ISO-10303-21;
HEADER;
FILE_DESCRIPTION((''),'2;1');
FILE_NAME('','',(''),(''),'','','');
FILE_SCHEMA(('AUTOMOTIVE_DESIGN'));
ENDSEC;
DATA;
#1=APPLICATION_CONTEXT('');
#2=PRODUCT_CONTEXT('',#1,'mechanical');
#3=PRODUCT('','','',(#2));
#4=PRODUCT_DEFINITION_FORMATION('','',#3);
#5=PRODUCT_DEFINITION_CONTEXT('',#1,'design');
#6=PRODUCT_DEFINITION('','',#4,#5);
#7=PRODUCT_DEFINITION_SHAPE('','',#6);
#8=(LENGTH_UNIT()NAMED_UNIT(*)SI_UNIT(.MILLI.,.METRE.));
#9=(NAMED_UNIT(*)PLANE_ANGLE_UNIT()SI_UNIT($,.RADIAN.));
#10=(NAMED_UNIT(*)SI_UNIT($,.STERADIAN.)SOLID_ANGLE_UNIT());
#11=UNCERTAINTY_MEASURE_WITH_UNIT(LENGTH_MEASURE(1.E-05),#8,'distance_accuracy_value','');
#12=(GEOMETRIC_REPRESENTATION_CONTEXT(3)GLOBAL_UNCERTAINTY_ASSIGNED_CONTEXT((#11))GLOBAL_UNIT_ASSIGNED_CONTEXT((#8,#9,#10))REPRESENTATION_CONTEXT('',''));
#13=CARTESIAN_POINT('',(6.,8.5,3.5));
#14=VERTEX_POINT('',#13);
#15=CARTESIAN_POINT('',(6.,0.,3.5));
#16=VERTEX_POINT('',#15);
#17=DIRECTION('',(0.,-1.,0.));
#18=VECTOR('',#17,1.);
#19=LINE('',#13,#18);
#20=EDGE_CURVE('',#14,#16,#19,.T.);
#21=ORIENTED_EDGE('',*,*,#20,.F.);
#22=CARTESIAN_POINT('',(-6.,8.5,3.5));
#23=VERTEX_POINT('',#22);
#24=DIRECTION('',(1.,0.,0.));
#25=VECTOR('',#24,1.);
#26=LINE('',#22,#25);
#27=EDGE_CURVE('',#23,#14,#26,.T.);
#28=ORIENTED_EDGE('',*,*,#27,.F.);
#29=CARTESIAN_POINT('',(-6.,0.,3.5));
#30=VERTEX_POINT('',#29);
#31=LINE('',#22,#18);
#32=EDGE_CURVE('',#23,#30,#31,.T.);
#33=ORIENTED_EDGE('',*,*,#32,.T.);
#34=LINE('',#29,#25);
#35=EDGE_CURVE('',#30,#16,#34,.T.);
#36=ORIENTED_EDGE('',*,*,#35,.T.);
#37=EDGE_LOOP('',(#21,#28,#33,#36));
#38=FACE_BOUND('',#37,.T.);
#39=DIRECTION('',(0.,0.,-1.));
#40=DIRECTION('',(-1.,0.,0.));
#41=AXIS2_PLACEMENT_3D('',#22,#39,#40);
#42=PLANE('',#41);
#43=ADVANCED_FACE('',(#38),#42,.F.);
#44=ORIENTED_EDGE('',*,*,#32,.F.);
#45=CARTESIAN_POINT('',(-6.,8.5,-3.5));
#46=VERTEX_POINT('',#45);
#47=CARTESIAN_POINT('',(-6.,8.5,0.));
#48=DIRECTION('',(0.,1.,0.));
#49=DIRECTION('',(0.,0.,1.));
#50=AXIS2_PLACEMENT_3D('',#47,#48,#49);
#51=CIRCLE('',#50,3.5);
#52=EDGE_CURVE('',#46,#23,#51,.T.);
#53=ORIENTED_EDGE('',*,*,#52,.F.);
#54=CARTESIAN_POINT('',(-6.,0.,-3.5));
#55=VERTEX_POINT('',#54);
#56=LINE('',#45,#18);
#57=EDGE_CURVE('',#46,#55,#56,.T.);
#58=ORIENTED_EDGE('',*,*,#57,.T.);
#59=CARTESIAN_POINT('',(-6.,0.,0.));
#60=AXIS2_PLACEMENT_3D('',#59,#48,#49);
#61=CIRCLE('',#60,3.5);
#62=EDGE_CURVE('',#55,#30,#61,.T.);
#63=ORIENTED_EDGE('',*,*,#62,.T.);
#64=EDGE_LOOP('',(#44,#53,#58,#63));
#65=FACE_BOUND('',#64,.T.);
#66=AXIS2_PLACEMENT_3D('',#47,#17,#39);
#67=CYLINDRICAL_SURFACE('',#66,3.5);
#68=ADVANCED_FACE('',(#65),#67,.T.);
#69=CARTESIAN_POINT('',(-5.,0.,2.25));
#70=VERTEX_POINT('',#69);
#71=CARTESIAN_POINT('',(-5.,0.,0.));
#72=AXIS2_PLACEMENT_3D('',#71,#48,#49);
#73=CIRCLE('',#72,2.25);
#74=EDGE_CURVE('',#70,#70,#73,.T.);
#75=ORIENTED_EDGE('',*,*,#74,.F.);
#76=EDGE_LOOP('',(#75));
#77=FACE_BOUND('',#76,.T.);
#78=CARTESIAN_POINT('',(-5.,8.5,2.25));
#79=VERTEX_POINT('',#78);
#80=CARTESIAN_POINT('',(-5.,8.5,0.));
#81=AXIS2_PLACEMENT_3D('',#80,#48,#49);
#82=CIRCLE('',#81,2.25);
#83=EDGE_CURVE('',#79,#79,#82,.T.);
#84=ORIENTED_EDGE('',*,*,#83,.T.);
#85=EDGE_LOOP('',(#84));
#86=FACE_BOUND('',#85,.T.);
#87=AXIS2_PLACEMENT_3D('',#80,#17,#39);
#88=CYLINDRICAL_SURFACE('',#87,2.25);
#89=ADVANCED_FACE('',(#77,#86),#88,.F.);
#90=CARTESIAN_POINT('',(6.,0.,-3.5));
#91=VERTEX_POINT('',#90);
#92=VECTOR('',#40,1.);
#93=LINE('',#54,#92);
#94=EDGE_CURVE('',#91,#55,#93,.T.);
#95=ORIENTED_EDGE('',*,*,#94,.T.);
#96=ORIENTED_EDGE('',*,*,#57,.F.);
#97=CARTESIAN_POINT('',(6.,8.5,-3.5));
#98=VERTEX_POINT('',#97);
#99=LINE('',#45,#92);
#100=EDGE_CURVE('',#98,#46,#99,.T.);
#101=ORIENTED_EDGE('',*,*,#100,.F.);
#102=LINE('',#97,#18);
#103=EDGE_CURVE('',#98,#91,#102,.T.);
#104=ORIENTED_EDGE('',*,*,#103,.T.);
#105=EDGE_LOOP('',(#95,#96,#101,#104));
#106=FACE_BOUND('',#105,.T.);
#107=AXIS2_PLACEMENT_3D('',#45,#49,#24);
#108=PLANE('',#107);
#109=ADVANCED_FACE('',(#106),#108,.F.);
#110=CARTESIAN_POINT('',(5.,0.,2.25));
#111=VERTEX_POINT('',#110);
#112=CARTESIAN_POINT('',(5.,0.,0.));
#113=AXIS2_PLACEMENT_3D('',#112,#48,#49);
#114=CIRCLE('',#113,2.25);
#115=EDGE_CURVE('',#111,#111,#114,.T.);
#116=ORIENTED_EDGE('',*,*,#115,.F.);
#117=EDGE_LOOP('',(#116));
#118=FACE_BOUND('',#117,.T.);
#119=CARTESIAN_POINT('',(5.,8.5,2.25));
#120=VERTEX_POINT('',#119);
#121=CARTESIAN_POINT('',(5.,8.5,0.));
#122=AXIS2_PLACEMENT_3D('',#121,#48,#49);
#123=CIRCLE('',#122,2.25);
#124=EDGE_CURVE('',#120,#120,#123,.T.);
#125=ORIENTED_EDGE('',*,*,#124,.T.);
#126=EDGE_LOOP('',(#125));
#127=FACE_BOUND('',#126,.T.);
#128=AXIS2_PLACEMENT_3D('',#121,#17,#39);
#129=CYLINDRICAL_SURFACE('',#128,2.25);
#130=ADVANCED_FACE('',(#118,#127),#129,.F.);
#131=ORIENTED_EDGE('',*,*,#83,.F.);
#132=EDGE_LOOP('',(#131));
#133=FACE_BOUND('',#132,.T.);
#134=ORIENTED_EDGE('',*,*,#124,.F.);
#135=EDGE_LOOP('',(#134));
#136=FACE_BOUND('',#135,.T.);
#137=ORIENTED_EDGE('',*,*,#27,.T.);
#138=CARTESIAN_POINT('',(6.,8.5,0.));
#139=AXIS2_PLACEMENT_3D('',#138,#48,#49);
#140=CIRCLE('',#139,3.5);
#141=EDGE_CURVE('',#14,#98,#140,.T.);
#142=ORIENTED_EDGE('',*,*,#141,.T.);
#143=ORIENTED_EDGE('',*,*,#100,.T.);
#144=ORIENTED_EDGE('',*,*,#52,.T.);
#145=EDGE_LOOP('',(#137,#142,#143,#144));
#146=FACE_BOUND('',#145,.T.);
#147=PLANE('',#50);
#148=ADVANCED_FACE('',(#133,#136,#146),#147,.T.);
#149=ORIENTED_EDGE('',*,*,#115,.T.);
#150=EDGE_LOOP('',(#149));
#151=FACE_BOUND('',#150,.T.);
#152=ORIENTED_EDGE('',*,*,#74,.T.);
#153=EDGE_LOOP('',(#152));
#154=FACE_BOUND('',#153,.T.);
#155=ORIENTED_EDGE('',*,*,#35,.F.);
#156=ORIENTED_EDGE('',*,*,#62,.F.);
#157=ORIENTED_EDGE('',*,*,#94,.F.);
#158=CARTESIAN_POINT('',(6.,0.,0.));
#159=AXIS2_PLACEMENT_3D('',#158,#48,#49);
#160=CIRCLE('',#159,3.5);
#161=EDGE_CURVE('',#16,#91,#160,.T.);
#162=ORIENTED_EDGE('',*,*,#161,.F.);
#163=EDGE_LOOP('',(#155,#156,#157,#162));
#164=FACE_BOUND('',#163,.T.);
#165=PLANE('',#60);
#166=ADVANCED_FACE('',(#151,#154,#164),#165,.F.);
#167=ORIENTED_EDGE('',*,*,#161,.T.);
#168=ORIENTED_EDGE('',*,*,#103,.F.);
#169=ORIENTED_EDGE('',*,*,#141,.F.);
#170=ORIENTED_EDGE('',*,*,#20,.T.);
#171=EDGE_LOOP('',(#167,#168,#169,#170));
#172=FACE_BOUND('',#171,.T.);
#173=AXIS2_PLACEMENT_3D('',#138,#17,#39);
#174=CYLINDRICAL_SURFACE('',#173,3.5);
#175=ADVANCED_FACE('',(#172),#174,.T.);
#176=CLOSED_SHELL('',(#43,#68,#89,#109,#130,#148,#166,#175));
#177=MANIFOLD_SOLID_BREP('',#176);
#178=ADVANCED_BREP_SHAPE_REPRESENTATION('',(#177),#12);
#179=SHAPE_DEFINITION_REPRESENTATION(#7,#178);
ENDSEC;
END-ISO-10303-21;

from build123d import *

# Parameters (mm, degrees)
SKETCH1_R           = 2.25
BOSS_EXTRUDE1_DEPTH = 8.5


with BuildPart() as part:
    # Sketch1 → Boss-Extrude1 (new body)
    with BuildSketch(Plane(origin=(0, 0, 0), x_dir=(1, 0, 0), z_dir=(0, 1, 0))):
        with BuildLine():
            Line((-6, -3.5), (6, -3.5))
            ThreePointArc((6, -3.5), (9.5, 0), (6, 3.5))
            Line((6, 3.5), (-6, 3.5))
            ThreePointArc((-6, 3.5), (-9.5, 0), (-6, -3.5))
        make_face()
        with Locations((5, 0)):
            Circle(SKETCH1_R, mode=Mode.SUBTRACT)
        with Locations((-5, 0)):
            Circle(SKETCH1_R, mode=Mode.SUBTRACT)
    extrude(amount=BOSS_EXTRUDE1_DEPTH)


solid = part.part
